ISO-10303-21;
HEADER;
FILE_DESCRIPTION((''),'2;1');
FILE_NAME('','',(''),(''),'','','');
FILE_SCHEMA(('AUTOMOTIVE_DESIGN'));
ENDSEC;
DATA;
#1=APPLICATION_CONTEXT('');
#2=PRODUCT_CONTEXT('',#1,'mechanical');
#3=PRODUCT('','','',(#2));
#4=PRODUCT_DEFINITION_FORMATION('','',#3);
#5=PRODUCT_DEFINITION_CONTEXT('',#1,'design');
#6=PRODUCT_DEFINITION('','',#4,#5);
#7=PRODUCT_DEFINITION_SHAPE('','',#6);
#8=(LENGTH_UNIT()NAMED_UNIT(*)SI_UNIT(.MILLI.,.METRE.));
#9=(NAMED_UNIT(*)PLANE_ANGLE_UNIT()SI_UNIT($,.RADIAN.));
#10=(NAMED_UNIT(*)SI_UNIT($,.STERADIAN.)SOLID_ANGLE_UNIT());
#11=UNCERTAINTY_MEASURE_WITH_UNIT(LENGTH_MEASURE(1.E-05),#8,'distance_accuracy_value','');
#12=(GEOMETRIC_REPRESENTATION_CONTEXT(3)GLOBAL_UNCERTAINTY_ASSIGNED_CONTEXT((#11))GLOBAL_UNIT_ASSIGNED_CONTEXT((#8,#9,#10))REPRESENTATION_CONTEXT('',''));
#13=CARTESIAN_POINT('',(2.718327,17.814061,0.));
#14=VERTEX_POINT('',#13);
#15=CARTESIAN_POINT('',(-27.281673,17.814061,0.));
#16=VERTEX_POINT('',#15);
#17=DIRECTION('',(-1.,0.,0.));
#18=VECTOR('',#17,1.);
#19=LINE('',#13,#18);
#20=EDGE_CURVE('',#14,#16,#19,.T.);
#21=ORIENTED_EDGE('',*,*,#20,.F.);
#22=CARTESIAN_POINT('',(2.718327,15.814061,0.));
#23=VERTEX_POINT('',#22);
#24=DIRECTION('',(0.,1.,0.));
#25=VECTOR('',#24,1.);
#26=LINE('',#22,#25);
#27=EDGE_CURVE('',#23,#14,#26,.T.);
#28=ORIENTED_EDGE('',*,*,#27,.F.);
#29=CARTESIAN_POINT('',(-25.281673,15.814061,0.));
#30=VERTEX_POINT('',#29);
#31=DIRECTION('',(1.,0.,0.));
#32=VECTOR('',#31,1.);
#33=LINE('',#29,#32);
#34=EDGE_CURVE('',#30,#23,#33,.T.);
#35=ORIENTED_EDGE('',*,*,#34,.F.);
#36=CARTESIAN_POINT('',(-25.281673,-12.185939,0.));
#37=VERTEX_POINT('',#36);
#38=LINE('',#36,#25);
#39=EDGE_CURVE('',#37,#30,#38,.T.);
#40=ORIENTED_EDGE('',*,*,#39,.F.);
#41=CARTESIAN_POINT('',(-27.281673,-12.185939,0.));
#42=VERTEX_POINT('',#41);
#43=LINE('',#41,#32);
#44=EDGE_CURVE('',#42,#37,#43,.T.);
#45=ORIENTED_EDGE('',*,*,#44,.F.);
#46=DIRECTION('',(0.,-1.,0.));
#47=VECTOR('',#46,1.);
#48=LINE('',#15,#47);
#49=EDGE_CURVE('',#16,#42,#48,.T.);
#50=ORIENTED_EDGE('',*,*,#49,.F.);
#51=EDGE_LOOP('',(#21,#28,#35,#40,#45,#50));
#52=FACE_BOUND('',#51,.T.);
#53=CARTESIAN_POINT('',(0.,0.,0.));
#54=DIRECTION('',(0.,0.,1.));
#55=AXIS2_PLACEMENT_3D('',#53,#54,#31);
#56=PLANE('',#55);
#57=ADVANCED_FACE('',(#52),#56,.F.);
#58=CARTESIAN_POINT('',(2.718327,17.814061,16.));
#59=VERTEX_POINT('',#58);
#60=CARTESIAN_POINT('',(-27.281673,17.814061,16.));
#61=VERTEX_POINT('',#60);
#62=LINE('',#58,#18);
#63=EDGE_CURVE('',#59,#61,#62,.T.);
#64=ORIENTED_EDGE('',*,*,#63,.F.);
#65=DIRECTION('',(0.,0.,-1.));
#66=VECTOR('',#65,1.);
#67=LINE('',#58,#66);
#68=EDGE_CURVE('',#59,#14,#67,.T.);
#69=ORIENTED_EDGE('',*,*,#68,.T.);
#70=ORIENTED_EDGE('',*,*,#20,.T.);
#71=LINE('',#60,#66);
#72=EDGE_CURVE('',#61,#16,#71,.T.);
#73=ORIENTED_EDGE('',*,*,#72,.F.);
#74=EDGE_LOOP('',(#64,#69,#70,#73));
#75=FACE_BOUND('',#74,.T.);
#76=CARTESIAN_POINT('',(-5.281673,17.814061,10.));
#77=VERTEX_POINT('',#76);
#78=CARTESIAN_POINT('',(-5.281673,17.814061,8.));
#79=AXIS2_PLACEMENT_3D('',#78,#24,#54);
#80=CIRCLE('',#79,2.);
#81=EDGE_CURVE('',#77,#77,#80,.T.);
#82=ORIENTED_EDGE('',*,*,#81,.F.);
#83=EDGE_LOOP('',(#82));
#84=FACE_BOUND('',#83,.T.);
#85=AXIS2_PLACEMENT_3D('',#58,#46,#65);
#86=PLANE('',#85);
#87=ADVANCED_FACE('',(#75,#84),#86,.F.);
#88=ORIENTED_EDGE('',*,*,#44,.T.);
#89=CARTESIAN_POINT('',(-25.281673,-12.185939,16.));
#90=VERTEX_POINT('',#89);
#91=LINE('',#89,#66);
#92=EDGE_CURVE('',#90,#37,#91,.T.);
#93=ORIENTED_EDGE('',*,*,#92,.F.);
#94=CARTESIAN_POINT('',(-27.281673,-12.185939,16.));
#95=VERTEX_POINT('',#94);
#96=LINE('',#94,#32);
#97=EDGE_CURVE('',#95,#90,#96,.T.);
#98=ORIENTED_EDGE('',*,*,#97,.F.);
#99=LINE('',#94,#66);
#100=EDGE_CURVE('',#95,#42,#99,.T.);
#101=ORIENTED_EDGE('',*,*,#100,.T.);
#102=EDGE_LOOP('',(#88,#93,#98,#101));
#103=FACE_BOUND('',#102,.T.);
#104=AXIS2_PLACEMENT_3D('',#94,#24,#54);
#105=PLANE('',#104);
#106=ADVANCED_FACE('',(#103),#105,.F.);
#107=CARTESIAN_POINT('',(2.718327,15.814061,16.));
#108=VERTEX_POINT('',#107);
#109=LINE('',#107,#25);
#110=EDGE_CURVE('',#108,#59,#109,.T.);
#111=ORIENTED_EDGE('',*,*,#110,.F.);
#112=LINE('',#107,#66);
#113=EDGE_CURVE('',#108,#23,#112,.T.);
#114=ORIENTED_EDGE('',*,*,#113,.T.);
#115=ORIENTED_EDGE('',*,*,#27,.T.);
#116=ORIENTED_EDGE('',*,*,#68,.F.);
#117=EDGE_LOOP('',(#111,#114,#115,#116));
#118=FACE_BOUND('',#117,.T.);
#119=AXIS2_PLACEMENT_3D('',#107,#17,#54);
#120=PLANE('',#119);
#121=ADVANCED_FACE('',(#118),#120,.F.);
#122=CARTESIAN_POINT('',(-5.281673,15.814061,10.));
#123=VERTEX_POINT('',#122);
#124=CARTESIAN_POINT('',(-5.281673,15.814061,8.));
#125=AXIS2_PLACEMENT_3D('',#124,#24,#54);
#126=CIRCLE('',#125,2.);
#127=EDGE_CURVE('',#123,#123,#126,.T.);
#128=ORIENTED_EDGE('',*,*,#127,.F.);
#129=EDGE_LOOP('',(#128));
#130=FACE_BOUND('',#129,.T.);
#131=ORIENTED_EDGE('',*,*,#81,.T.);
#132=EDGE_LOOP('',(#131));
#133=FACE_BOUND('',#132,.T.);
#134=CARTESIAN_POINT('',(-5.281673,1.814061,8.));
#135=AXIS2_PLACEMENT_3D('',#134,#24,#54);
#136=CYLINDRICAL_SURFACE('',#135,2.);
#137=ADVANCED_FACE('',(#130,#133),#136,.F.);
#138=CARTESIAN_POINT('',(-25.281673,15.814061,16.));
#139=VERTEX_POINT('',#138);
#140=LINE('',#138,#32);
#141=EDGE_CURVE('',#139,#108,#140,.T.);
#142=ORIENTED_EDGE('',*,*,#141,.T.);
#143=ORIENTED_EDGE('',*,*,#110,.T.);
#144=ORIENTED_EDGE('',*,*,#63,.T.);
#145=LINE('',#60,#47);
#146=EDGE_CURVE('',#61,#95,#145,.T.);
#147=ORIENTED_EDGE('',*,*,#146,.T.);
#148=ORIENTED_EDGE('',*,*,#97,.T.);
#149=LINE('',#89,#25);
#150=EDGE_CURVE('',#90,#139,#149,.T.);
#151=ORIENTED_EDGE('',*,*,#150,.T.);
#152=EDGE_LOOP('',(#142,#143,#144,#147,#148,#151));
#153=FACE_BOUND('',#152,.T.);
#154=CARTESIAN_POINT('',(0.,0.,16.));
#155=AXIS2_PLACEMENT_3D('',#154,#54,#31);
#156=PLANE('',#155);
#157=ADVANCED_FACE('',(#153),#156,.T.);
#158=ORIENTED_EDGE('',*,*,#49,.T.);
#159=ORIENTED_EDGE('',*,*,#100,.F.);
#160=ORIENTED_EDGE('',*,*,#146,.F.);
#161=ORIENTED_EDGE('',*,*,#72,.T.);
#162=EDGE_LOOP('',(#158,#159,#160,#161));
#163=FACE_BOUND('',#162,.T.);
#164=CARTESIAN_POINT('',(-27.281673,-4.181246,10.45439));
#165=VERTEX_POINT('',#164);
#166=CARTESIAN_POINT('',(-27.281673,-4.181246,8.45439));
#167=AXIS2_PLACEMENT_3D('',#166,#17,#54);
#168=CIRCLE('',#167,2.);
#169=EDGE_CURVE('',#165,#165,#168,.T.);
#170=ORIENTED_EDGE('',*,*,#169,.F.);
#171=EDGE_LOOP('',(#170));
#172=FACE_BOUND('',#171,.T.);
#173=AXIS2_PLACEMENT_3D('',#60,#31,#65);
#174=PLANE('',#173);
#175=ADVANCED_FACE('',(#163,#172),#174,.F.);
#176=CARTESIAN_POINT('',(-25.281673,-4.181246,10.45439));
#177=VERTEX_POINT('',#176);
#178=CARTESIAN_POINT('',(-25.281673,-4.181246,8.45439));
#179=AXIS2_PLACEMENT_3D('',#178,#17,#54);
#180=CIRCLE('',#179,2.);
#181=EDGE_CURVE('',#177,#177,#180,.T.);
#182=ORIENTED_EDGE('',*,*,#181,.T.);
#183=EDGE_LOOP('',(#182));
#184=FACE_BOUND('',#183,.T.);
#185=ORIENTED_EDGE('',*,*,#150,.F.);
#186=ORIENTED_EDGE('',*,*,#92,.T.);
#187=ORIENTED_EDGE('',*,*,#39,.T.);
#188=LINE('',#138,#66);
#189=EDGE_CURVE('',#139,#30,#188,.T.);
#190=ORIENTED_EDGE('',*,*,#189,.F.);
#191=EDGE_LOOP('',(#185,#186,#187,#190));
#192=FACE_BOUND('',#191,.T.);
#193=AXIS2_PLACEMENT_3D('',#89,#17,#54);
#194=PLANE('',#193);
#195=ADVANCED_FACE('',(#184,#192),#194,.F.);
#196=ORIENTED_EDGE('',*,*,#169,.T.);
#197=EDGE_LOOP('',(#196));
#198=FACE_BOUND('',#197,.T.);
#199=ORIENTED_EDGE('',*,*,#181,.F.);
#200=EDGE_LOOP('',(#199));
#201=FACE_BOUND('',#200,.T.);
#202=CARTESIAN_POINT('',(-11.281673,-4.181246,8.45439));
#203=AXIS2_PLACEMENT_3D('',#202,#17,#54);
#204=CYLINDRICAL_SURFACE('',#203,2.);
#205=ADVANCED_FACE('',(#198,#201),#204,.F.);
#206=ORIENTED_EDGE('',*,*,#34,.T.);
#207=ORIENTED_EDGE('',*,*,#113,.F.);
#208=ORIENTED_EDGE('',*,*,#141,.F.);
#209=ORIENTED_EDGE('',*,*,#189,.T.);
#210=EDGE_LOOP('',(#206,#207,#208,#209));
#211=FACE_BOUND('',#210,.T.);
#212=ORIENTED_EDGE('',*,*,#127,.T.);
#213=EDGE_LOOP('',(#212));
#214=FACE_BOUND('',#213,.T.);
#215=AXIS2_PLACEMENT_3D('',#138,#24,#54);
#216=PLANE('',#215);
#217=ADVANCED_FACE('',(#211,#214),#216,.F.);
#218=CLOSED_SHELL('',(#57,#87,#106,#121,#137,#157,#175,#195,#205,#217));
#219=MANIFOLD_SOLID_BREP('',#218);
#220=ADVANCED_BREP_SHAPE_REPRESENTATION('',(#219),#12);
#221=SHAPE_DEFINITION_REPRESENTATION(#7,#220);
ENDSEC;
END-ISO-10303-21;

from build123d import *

# Parameters (mm, degrees)
EXTRUDE_1_DEPTH     = 16
SKETCH_2_R          = 2
CUT_EXTRUDE_1_DEPTH = 16
SKETCH_3_R          = 2
CUT_EXTRUDE_2_DEPTH = 16


with BuildPart() as part:
    # 草图1 → 凸台-拉伸1 (new body)
    with BuildSketch(Plane.XY):
        Polygon((-27.281673393, 17.814060708), (-27.281673393, -12.185939292), (-25.281673393, -12.185939292), (-25.281673393, 15.814060708), (2.718326607, 15.814060708), (2.718326607, 17.814060708), align=None)
    extrude(amount=EXTRUDE_1_DEPTH)

    # 草图2 → 切除-拉伸1 (cut)
    with BuildSketch(Plane(origin=(0, 17.814060708, 0), x_dir=(1, 0, 0), z_dir=(0, 1, 0))):
        with Locations((-5.281673393, -8)):
            Circle(SKETCH_2_R)
    extrude(amount=-CUT_EXTRUDE_1_DEPTH, mode=Mode.SUBTRACT)

    # 草图3 → 切除-拉伸2 (cut)
    with BuildSketch(Plane.ZY.offset(27.281673393)):
        with Locations((8.454389853, -4.181246288)):
            Circle(SKETCH_3_R)
    extrude(amount=-CUT_EXTRUDE_2_DEPTH, mode=Mode.SUBTRACT)


solid = part.part
